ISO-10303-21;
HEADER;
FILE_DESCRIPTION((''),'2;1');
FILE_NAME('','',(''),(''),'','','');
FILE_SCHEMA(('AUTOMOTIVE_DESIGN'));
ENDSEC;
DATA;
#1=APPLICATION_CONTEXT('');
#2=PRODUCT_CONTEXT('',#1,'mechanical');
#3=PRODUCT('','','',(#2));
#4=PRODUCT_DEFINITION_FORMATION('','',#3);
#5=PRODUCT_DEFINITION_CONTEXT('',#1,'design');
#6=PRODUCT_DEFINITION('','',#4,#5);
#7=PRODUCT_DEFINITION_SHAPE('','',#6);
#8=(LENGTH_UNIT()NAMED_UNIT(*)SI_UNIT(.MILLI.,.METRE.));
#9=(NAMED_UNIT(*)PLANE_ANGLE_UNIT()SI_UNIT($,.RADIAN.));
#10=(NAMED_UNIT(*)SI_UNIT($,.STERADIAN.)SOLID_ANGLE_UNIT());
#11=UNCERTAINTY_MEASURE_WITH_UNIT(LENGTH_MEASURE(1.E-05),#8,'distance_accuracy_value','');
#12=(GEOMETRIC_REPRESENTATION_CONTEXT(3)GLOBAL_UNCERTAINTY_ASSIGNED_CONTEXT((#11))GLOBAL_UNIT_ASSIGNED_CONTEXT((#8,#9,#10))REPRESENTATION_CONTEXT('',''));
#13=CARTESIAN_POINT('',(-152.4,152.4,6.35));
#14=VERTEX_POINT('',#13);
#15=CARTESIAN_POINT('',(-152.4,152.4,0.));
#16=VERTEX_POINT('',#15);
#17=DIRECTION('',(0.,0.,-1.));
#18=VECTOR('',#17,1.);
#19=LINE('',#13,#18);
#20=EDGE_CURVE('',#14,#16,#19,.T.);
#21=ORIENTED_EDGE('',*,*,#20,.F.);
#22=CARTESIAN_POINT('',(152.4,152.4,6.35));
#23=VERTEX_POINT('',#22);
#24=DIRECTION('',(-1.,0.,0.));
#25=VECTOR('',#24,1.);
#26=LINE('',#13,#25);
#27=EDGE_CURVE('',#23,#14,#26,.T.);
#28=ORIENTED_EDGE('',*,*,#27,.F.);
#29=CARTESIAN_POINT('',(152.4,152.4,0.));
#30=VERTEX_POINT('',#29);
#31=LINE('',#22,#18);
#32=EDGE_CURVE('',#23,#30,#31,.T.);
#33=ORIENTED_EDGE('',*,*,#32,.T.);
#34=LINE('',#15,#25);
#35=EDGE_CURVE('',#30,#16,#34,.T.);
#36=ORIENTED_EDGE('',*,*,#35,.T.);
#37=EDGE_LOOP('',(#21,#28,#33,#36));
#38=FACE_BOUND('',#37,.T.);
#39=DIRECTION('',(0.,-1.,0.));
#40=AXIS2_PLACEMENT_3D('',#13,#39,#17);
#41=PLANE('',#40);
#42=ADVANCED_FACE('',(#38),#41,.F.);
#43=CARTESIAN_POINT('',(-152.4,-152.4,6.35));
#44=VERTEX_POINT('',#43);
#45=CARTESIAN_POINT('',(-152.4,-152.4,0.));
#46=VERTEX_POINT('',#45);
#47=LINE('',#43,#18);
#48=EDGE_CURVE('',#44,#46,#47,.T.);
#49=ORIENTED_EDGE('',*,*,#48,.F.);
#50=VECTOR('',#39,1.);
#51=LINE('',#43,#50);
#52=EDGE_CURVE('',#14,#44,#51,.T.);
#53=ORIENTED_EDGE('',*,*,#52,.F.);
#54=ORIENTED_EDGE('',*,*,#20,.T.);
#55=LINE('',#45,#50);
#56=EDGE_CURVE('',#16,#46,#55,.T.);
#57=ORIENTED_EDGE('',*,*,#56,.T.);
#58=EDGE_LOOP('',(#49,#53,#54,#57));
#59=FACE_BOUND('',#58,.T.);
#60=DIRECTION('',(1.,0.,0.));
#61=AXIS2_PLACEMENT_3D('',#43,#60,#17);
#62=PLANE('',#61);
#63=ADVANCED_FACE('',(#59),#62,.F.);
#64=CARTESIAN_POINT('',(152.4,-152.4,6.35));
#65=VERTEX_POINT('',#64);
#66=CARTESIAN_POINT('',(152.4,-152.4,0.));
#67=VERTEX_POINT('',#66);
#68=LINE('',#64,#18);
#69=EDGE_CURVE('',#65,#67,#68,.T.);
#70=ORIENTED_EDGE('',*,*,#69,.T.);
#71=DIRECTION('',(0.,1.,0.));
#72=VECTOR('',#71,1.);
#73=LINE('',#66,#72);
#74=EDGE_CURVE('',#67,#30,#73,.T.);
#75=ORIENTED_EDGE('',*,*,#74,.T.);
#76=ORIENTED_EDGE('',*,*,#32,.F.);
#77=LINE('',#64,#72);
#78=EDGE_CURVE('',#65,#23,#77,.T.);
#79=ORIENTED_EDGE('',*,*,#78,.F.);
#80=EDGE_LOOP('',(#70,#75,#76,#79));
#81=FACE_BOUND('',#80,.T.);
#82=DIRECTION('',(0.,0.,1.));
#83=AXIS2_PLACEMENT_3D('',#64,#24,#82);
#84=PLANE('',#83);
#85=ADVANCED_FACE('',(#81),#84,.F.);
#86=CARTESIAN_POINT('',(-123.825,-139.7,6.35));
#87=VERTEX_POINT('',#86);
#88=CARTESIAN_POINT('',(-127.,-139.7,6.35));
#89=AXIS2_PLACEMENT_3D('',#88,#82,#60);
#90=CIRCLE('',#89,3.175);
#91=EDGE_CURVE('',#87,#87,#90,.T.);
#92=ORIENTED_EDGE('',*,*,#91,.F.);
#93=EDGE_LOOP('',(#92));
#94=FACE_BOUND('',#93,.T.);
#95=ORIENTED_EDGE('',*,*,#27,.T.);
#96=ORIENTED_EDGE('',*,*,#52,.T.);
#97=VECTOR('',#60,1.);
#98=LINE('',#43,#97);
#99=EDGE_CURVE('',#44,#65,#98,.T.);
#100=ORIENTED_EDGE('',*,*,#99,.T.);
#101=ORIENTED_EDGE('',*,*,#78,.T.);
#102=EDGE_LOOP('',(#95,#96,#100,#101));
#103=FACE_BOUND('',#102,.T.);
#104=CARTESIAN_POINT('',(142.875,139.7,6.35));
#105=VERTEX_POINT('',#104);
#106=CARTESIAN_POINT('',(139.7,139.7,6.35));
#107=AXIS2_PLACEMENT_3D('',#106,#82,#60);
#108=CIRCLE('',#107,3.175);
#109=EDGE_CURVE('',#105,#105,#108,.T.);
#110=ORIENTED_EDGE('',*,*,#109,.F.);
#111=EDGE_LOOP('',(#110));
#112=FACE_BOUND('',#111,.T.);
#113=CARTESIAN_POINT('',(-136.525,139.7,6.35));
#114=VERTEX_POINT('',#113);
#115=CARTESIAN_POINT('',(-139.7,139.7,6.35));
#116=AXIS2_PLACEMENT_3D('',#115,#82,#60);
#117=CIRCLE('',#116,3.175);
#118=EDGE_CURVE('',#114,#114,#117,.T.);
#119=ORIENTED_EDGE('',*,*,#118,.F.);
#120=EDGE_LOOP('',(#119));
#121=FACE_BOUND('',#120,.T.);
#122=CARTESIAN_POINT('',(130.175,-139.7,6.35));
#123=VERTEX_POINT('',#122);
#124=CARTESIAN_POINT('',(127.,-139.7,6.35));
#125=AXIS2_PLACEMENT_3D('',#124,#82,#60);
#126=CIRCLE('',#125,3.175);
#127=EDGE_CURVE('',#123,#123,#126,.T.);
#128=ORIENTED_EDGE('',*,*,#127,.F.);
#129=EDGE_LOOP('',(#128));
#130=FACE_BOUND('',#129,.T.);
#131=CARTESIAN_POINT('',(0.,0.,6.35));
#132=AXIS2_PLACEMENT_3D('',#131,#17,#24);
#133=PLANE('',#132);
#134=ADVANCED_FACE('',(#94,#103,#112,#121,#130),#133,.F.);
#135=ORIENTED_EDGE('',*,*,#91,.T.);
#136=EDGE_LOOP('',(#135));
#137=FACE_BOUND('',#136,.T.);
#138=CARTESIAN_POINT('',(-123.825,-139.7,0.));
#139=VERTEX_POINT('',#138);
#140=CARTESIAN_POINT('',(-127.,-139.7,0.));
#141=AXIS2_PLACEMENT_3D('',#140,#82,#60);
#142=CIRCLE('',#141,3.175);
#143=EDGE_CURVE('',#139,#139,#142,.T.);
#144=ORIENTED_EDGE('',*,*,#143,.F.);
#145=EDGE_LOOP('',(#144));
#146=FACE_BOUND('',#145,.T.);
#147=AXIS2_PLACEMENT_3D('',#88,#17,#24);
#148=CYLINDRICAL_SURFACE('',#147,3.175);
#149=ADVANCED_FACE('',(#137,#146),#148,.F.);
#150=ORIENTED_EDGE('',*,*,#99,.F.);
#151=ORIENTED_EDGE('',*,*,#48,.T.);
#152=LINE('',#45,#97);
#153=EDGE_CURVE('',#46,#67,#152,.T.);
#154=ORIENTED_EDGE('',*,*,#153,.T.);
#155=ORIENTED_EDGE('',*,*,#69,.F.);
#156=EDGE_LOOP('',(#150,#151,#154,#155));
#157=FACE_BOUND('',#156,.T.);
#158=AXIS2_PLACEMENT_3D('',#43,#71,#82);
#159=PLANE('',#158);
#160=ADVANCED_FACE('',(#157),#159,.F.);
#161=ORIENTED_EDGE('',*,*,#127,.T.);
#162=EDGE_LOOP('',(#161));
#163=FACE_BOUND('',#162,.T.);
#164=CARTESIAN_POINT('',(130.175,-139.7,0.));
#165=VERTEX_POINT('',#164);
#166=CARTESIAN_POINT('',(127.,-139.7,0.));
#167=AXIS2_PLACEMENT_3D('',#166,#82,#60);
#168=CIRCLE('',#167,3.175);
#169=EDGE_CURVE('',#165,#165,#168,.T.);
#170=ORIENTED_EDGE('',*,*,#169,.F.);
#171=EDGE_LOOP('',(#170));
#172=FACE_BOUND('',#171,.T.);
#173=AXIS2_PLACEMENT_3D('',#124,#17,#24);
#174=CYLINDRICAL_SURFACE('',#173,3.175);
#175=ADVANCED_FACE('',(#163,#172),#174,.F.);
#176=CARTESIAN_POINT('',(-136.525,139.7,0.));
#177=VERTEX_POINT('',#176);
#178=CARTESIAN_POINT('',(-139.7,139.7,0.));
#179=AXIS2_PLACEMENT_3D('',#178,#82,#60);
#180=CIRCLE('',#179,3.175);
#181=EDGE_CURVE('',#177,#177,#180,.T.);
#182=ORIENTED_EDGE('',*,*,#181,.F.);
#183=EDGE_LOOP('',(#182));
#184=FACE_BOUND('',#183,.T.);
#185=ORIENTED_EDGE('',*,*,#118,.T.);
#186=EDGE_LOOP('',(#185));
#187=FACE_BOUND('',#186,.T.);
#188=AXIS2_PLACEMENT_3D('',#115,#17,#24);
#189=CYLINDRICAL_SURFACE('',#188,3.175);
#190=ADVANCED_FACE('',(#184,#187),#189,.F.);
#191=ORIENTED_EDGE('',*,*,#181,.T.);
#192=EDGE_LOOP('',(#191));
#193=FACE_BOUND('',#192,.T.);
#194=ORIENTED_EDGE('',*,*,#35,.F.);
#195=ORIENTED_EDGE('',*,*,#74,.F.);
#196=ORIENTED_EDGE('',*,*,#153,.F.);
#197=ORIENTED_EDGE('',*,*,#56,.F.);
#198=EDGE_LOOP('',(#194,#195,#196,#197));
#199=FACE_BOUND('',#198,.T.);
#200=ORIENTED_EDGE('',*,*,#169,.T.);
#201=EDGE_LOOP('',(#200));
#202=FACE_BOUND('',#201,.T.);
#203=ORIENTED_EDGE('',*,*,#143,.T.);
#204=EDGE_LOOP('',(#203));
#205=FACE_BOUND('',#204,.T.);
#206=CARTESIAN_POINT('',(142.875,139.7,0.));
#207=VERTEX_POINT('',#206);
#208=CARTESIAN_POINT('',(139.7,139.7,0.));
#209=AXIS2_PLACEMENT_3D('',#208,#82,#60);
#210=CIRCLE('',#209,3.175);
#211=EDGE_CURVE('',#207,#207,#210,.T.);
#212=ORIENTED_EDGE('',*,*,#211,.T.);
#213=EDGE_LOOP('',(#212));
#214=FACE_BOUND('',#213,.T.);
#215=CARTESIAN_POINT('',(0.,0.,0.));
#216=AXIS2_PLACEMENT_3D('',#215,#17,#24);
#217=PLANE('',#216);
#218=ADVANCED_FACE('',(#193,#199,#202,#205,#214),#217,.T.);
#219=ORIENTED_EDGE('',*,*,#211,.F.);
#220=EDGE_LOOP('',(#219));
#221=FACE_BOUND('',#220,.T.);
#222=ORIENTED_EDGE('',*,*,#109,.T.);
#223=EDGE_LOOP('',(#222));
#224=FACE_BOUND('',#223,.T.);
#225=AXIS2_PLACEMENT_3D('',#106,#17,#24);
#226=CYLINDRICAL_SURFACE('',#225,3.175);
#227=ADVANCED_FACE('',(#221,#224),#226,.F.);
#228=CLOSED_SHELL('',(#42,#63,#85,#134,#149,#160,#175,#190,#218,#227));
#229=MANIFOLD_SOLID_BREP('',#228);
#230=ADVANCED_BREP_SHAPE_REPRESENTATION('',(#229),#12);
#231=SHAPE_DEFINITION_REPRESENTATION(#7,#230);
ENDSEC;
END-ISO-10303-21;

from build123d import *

# Parameters (mm, degrees)
SKETCH1_W           = 304.8
SKETCH1_H           = 304.8
SKETCH1_R           = 3.175
BOSS_EXTRUDE1_DEPTH = 6.35


with BuildPart() as part:
    # Sketch1 → Boss-Extrude1 (new body)
    with BuildSketch(Plane.XY):
        Rectangle(SKETCH1_W, SKETCH1_H)
        with Locations((139.7, 139.7)):
            Circle(SKETCH1_R, mode=Mode.SUBTRACT)
        with Locations((-139.7, 139.7)):
            Circle(SKETCH1_R, mode=Mode.SUBTRACT)
        with Locations((127, -139.7)):
            Circle(SKETCH1_R, mode=Mode.SUBTRACT)
        with Locations((-127, -139.7)):
            Circle(SKETCH1_R, mode=Mode.SUBTRACT)
    extrude(amount=BOSS_EXTRUDE1_DEPTH)


solid = part.part
